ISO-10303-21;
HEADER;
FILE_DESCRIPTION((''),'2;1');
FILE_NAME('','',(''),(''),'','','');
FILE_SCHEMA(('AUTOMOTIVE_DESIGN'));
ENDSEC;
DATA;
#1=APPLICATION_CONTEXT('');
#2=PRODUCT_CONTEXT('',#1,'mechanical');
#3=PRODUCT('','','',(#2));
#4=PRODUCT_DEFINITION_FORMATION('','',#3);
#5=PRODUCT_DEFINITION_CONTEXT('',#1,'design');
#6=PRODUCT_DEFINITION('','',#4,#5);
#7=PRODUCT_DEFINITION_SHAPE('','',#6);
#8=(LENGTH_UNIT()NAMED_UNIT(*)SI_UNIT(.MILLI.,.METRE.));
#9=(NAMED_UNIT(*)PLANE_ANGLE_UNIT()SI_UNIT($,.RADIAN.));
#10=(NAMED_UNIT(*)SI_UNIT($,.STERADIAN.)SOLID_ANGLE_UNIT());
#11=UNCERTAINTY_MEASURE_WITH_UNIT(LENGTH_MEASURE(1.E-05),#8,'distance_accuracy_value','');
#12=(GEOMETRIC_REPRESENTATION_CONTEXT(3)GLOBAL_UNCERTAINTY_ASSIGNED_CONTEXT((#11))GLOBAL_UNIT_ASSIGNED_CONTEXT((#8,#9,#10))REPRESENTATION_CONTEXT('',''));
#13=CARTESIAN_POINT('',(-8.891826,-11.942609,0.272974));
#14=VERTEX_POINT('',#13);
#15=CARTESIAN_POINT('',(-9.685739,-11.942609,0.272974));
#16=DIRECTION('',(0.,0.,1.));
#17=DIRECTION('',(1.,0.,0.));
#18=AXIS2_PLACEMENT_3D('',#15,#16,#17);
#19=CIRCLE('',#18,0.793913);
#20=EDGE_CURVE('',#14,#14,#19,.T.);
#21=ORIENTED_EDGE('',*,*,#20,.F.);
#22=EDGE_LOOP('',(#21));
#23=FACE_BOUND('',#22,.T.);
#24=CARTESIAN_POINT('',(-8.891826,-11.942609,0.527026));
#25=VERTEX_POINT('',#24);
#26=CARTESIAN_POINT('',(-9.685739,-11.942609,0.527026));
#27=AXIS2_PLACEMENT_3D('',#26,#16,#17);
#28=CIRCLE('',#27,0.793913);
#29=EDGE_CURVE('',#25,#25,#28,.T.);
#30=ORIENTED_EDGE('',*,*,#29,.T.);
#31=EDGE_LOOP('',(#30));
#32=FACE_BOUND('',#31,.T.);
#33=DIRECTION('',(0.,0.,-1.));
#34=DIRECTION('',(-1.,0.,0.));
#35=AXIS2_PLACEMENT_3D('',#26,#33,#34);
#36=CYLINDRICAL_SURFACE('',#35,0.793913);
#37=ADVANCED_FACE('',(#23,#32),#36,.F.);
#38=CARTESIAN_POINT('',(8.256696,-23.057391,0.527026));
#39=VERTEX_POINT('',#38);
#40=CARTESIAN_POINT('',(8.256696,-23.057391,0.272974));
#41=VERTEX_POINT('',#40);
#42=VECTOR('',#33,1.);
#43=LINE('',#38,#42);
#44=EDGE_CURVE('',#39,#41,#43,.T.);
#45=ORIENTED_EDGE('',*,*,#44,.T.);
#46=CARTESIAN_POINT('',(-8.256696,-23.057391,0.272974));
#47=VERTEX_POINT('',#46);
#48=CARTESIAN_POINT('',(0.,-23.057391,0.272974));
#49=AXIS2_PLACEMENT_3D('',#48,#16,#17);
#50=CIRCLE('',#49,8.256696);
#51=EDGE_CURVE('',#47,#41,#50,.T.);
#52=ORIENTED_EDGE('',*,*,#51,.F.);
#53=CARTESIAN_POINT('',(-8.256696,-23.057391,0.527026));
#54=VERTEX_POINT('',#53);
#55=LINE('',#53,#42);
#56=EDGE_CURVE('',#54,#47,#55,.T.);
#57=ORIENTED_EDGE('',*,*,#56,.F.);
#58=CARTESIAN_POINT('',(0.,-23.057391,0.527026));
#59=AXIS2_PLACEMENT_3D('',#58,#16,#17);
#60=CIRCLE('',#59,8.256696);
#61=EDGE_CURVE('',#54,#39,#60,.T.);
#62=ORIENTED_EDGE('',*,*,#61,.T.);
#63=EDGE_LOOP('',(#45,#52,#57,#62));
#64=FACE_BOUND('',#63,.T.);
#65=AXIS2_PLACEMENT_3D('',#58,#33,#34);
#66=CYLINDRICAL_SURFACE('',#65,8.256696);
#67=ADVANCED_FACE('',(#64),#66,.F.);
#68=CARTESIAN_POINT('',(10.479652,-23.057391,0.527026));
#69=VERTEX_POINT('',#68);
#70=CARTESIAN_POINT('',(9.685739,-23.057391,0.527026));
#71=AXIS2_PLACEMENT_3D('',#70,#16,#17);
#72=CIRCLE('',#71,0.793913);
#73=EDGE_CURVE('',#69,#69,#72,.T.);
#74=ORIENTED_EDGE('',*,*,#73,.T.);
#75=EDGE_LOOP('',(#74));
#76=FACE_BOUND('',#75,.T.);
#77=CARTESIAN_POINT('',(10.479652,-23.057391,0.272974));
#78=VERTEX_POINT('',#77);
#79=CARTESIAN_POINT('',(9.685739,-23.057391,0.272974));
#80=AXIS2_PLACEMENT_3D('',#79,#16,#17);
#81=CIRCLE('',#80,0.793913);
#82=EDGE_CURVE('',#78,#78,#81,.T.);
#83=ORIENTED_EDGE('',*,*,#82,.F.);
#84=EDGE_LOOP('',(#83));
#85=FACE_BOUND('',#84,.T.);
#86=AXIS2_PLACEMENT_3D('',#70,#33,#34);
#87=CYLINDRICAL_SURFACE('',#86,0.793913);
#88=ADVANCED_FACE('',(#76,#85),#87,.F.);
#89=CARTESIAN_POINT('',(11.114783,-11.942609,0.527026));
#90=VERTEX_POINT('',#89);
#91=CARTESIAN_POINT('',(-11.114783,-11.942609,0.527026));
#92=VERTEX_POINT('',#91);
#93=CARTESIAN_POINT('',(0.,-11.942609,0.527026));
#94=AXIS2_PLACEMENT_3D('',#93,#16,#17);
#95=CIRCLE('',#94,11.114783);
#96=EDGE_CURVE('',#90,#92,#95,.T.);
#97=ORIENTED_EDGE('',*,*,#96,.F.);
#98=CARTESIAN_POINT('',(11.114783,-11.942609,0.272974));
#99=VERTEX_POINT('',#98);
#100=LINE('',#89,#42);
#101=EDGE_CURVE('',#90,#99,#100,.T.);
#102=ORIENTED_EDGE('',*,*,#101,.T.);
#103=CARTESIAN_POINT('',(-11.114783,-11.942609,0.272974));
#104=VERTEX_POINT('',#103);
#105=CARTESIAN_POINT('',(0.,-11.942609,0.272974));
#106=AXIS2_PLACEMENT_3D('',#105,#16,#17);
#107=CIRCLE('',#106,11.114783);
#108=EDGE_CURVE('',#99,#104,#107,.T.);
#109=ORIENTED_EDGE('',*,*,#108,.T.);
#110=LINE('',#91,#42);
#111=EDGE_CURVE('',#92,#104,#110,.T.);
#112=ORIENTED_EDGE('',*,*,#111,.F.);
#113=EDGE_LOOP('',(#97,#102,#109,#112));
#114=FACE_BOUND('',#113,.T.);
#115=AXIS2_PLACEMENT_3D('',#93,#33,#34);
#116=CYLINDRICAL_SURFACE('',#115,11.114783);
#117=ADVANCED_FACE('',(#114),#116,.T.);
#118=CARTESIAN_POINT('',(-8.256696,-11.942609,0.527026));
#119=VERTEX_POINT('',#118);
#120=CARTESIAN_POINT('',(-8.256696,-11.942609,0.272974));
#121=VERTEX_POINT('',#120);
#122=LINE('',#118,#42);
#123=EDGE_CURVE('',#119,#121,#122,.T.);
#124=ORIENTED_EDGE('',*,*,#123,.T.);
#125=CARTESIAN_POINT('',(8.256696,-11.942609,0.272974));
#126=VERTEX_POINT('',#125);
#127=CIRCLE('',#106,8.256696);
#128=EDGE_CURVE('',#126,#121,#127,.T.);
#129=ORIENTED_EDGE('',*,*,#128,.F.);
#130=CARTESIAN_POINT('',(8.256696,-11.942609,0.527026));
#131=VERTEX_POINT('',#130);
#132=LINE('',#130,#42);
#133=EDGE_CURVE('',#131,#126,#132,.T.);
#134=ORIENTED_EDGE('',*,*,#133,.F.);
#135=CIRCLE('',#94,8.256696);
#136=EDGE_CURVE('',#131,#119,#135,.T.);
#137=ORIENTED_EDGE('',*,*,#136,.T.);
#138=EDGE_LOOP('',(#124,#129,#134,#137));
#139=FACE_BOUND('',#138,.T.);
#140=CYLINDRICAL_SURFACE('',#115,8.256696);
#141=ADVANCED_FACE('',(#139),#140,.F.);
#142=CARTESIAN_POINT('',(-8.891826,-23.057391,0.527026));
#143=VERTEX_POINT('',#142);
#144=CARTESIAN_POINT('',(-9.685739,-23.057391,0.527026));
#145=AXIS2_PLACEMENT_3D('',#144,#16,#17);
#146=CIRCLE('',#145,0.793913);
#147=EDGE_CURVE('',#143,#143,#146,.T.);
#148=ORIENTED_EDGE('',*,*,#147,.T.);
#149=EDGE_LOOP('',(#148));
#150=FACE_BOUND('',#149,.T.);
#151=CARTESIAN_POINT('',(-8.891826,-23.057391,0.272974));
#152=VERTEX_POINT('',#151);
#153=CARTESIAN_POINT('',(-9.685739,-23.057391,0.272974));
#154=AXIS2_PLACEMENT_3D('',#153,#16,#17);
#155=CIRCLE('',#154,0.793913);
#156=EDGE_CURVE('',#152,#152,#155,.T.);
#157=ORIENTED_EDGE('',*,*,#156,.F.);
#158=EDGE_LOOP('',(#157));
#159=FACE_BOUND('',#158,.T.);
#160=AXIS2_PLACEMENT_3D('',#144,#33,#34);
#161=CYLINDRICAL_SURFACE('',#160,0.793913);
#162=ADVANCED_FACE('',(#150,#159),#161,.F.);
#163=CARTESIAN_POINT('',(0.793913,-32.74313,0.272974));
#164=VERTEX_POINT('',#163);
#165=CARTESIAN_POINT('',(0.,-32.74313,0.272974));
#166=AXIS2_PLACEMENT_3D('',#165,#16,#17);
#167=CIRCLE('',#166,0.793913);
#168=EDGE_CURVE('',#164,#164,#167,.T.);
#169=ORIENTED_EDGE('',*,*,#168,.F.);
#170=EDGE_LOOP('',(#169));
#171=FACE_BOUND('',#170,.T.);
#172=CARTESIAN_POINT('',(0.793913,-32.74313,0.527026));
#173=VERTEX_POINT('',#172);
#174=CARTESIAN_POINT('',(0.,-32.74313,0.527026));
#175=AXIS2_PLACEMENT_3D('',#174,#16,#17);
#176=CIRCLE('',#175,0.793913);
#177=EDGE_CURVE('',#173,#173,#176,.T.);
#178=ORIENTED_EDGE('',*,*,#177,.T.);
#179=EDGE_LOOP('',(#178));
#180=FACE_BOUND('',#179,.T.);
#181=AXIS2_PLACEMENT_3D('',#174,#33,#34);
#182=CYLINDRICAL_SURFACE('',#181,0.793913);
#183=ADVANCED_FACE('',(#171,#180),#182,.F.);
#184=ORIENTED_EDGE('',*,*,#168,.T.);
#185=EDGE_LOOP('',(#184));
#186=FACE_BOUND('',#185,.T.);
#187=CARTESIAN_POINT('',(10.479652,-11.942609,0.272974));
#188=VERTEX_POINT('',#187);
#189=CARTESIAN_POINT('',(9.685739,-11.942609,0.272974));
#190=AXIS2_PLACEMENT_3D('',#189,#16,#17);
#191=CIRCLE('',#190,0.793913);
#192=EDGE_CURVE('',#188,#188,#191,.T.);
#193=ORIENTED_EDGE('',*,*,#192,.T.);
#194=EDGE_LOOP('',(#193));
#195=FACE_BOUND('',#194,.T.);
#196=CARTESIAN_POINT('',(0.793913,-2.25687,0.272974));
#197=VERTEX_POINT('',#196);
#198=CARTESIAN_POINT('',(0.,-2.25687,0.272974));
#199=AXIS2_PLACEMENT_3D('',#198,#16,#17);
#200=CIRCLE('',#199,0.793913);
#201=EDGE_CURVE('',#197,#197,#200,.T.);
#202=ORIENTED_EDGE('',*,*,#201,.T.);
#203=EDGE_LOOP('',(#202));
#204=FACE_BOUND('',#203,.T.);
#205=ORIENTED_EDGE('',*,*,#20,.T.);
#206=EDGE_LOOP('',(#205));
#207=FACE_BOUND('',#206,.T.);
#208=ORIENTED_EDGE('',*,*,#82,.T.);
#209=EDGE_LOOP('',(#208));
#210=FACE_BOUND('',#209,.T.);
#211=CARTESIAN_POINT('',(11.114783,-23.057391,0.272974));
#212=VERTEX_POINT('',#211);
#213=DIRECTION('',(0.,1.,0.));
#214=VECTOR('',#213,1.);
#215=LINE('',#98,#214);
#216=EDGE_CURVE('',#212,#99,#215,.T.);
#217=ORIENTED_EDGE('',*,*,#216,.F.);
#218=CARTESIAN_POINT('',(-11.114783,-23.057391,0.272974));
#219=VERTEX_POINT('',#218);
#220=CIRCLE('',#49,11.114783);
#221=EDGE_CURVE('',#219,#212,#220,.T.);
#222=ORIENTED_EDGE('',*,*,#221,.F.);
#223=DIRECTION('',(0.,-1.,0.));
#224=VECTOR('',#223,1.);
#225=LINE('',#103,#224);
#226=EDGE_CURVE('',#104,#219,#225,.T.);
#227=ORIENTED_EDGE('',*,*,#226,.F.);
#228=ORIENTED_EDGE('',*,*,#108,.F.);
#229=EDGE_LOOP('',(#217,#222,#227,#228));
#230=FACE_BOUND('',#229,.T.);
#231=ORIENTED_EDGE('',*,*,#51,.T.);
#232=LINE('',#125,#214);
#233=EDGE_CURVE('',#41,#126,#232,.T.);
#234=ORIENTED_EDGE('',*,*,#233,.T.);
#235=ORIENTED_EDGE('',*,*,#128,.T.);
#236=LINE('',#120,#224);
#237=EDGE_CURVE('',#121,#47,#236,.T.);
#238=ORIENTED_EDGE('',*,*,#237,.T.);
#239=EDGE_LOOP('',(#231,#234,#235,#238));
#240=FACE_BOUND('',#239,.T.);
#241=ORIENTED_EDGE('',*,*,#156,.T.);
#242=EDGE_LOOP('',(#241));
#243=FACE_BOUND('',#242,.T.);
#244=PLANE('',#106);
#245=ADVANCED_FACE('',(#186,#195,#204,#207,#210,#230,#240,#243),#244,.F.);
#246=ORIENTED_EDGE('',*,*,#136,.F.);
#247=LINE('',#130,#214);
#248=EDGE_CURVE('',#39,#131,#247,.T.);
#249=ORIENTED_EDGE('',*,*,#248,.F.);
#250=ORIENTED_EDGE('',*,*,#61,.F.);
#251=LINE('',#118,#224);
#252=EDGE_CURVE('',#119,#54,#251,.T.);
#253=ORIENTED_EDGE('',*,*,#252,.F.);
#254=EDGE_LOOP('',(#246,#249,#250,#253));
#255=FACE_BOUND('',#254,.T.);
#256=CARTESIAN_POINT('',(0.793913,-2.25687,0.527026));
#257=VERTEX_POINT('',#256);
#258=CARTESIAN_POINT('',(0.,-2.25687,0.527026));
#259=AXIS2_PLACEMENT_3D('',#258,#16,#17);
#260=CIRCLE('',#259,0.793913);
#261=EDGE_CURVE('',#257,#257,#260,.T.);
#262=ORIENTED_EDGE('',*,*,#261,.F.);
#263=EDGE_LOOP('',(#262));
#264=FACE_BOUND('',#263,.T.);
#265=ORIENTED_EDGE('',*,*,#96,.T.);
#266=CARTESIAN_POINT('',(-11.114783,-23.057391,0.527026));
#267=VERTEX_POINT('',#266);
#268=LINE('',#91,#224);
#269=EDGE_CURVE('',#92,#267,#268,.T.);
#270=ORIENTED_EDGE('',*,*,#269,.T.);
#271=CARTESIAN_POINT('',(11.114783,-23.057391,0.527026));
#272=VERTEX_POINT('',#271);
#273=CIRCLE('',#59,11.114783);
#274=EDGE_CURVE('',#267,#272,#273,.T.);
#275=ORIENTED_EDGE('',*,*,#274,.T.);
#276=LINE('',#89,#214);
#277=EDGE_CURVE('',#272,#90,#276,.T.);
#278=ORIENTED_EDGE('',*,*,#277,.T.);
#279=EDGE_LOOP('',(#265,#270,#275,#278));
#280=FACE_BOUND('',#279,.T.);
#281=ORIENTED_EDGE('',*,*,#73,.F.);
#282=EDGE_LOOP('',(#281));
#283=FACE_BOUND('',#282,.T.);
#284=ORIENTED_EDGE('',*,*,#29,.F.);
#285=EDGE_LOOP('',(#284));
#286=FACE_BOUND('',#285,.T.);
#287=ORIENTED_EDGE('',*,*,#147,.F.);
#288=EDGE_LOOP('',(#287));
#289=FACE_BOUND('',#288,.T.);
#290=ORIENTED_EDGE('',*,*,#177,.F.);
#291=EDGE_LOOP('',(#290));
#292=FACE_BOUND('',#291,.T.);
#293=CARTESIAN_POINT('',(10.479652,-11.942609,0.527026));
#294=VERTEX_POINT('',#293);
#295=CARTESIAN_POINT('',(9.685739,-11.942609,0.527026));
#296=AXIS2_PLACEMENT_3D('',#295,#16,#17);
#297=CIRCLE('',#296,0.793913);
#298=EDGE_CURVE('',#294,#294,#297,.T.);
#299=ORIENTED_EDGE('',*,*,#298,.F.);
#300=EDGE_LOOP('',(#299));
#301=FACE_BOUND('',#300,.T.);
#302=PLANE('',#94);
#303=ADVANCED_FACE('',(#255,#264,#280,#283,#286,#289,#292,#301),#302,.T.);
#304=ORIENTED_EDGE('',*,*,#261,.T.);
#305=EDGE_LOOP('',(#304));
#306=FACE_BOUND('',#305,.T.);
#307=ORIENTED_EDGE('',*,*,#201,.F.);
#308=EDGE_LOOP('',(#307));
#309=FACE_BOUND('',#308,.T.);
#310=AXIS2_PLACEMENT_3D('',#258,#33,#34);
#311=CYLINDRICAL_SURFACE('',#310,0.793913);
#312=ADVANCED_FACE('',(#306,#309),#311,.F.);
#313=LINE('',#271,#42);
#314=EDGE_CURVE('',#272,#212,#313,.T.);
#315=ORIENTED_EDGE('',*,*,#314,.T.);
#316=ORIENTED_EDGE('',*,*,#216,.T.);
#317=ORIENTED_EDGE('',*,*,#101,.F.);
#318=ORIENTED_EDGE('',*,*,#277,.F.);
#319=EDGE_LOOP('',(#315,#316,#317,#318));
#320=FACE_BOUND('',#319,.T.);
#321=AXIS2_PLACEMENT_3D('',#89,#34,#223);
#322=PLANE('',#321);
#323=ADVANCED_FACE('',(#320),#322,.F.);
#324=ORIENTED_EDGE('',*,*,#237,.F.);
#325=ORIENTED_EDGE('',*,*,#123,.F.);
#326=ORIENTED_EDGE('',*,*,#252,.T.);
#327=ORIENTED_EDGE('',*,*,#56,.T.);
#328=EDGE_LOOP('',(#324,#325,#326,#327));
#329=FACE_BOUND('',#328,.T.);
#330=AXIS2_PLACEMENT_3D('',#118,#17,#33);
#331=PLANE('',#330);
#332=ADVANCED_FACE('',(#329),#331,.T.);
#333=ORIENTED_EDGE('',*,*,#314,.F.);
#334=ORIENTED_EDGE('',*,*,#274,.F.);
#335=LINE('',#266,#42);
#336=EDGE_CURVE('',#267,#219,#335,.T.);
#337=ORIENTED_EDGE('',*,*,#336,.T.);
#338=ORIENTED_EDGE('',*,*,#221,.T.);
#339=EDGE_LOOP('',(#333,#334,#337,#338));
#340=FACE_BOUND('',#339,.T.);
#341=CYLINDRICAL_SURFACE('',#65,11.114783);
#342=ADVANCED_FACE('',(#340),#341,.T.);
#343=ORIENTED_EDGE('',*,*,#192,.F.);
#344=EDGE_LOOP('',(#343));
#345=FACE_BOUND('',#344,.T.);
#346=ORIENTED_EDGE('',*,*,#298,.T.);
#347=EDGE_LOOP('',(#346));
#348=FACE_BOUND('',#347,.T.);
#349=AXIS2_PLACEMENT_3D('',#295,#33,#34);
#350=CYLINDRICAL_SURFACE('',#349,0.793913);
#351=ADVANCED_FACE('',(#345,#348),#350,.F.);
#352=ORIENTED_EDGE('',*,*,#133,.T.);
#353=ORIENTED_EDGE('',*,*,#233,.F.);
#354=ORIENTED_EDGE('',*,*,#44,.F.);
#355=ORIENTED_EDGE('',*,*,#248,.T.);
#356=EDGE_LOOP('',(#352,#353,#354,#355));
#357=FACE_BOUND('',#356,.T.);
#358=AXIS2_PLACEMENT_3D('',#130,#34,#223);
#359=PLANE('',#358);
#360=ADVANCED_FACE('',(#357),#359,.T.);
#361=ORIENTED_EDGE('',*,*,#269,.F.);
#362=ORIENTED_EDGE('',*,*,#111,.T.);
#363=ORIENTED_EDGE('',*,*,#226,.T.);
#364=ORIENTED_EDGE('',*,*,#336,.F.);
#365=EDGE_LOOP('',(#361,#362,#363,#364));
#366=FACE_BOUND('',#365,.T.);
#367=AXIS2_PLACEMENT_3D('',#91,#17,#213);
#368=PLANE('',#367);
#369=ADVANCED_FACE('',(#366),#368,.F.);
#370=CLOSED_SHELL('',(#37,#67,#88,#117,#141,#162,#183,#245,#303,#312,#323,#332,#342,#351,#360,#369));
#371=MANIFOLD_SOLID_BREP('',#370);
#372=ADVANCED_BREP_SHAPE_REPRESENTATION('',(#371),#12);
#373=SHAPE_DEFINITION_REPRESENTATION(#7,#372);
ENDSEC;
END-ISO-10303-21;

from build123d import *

# Parameters (mm, degrees)
SKETCH1_R           = 2.5
BOSS_EXTRUDE1_DEPTH = 0.8
SCALE1_SCALE        = 0.317565217


with BuildPart() as part:
    # Sketch1 → Boss-Extrude1 (new body)
    with BuildSketch(Plane.XY):
        with BuildLine():
            Line((-35, 0), (-35, -35))
            ThreePointArc((-35, -35), (0, -70), (35, -35))
            Line((35, -35), (35, 0))
            ThreePointArc((35, 0), (0, 35), (-35, 0))
        make_face()
        with Locations((-30.5, 0)):
            Circle(SKETCH1_R, mode=Mode.SUBTRACT)
        with Locations((0, 30.5)):
            Circle(SKETCH1_R, mode=Mode.SUBTRACT)
        with Locations((30.5, 0)):
            Circle(SKETCH1_R, mode=Mode.SUBTRACT)
        with Locations((30.5, -35)):
            Circle(SKETCH1_R, mode=Mode.SUBTRACT)
        with Locations((0, -65.5)):
            Circle(SKETCH1_R, mode=Mode.SUBTRACT)
        with Locations((-30.5, -35)):
            Circle(SKETCH1_R, mode=Mode.SUBTRACT)
        with BuildLine():
            Line((-26, 0), (-26, -35))
            ThreePointArc((-26, -35), (0, -61), (26, -35))
            Line((26, -35), (26, 0))
            ThreePointArc((26, 0), (0, 26), (-26, 0))
        make_face(mode=Mode.SUBTRACT)
    extrude(amount=BOSS_EXTRUDE1_DEPTH)


with BuildPart() as part_1:
    # Scale1: scaled about (0, -17.5, 0.4)
    add(part.part.scale(SCALE1_SCALE).moved(Location((0, -11.942608696, 0.272973913))))


solid = part_1.part
